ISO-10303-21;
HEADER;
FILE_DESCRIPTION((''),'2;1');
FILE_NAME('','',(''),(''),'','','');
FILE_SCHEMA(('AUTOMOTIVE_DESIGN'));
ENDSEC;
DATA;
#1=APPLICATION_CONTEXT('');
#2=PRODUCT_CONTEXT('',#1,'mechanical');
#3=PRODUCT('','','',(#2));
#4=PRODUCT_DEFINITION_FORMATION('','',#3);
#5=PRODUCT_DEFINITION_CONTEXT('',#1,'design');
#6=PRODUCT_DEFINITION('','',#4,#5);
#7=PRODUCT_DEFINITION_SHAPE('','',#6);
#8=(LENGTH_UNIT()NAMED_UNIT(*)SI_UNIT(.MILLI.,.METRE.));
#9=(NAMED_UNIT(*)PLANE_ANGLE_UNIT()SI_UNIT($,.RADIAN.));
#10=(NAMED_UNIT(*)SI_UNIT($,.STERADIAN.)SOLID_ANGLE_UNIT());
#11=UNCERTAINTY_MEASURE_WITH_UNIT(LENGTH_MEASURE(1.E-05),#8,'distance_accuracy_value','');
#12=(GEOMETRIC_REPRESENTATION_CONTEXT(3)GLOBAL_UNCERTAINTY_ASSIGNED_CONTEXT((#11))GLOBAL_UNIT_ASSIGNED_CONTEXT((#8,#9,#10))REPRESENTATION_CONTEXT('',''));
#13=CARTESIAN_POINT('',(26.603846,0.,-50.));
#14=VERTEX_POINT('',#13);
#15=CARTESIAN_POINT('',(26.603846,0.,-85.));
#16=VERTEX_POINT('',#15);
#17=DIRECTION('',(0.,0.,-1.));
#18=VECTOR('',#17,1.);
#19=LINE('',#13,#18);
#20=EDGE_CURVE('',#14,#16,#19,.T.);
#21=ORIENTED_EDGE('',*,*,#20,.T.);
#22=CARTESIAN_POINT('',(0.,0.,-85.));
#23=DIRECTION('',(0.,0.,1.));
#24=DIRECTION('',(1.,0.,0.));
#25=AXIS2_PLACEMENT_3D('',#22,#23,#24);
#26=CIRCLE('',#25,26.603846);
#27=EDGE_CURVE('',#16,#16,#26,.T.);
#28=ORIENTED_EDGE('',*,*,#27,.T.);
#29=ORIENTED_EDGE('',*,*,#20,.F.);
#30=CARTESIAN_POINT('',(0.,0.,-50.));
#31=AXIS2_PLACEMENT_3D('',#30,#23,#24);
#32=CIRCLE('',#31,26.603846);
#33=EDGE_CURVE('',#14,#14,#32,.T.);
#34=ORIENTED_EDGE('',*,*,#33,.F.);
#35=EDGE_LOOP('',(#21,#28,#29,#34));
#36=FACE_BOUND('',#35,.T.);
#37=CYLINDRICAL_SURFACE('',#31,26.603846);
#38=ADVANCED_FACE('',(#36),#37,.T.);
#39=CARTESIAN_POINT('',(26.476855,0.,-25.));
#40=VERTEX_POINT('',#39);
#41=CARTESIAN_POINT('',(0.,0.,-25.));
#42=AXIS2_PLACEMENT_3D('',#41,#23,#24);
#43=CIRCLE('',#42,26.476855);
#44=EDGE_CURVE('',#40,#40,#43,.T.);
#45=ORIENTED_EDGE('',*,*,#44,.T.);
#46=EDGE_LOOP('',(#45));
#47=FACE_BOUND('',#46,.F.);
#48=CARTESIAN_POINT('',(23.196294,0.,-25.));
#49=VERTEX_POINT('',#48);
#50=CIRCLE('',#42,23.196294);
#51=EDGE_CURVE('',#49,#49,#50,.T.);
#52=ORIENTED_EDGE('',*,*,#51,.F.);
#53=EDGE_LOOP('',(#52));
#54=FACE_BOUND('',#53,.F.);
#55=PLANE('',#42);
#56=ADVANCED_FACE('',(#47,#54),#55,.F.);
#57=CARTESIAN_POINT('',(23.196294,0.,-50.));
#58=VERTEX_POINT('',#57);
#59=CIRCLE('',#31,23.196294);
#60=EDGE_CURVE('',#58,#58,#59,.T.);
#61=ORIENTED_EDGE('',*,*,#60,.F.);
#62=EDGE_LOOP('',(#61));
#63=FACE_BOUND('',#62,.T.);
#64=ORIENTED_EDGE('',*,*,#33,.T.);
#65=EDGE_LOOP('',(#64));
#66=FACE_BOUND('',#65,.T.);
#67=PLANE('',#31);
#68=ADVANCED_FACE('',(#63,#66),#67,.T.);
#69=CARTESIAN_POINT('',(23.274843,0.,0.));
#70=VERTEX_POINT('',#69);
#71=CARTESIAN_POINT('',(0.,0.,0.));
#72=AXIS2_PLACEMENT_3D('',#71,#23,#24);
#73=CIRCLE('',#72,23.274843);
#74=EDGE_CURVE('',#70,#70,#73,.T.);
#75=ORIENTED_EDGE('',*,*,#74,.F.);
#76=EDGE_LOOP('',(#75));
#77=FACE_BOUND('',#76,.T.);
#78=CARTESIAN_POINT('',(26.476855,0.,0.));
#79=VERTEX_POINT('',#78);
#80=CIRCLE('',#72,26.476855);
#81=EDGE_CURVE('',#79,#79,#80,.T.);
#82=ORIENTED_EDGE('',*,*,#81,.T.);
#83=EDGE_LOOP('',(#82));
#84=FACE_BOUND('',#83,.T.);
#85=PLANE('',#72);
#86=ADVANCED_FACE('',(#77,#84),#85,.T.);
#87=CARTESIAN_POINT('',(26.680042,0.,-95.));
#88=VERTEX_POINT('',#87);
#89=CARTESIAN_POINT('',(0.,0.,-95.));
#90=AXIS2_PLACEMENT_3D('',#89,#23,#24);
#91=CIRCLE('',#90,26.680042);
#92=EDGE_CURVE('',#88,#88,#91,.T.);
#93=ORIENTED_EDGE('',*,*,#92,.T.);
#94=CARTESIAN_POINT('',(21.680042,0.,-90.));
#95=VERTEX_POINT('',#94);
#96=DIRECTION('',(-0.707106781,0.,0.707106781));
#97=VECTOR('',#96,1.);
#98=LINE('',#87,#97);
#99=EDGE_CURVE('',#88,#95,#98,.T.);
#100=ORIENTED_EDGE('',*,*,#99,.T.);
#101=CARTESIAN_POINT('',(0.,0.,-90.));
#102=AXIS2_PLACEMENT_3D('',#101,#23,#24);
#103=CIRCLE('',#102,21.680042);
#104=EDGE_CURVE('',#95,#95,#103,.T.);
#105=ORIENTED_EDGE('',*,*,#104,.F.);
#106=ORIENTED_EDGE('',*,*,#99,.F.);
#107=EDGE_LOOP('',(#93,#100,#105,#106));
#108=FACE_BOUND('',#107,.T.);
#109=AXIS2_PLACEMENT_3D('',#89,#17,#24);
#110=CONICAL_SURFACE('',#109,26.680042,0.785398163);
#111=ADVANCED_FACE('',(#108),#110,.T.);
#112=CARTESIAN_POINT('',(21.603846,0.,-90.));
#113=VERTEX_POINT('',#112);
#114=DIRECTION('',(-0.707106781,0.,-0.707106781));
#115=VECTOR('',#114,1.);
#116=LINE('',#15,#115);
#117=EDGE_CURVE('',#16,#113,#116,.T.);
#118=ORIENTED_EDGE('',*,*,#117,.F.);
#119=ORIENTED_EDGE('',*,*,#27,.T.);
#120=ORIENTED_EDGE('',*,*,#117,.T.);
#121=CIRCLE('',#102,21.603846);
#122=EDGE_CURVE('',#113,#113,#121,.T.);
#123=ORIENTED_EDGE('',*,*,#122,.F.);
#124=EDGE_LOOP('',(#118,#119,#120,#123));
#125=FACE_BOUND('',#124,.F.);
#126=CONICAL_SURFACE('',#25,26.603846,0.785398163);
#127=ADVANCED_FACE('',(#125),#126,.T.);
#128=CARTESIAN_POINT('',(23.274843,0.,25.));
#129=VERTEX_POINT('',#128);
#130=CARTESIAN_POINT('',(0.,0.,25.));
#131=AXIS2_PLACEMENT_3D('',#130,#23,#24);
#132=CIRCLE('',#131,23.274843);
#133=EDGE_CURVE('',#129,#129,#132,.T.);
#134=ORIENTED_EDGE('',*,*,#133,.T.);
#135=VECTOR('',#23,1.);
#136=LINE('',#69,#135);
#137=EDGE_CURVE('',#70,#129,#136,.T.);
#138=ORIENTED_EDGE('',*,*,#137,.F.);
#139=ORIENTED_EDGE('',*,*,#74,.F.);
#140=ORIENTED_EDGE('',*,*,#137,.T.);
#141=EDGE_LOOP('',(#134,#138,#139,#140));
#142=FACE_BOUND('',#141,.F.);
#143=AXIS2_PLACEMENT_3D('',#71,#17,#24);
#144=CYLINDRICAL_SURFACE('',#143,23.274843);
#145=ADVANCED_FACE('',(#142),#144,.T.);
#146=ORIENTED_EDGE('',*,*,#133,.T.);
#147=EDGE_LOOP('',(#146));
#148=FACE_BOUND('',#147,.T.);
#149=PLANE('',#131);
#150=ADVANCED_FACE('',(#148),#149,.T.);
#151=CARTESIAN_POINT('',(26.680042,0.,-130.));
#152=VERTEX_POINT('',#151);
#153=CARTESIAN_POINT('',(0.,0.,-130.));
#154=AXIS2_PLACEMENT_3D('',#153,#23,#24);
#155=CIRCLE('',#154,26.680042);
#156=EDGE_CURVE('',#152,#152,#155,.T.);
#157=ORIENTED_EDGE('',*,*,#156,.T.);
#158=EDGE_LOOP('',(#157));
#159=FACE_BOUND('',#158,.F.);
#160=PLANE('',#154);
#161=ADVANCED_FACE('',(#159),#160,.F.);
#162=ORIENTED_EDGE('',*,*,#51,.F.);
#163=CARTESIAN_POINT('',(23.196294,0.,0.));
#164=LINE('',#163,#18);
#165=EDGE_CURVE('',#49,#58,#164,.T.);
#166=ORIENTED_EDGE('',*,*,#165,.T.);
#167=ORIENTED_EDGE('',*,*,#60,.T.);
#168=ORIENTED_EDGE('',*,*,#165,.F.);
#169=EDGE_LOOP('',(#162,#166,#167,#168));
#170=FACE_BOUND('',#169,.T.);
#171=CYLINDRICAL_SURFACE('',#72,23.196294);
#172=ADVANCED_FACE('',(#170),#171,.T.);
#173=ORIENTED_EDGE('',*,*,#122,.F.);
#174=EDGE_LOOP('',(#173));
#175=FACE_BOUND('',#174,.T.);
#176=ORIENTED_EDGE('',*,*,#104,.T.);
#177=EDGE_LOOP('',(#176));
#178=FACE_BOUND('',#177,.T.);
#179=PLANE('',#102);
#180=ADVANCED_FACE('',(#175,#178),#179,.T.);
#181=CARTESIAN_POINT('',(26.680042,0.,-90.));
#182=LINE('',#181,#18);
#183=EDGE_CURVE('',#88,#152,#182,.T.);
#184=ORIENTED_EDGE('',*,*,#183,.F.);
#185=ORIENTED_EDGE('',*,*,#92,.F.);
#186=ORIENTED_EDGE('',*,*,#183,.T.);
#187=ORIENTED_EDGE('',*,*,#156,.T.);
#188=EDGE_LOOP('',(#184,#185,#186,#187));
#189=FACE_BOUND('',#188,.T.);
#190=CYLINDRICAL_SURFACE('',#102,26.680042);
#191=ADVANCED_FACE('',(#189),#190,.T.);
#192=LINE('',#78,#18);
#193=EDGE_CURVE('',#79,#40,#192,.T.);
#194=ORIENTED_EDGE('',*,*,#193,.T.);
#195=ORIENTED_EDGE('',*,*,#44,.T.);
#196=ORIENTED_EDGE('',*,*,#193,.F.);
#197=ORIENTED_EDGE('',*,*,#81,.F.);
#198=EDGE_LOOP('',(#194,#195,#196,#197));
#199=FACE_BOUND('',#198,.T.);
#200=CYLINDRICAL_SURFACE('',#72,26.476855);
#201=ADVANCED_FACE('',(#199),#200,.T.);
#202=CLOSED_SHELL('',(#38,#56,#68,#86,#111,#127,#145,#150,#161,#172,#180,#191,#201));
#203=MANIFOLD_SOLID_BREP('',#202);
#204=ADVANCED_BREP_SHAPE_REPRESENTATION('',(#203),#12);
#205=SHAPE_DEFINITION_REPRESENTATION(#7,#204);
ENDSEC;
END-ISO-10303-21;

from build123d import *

# Parameters (mm, degrees)
F0_R      = 23.274843
F1_DEPTH  = 25
F2_R      = 26.476855
F3_DEPTH  = 25
F4_R      = 23.196294
F5_DEPTH  = 50
F7_R      = 26.603846
F8_DEPTH  = 40
F9_SIZE   = 5
F11_R     = 26.680042
F12_DEPTH = 40
F13_SIZE  = 5


with BuildPart() as f1:
    # F0 (on Top) → F1 (new body)
    with BuildSketch(Plane.XY):
        Circle(F0_R)
    extrude(amount=F1_DEPTH)

    # F2 (on Top) → F3 (join)
    with BuildSketch(Plane.XY):
        Circle(F2_R)
    extrude(amount=-F3_DEPTH)

    # F4 (on Top) → F5 (join)
    with BuildSketch(Plane.XY):
        Circle(F4_R)
    extrude(amount=-F5_DEPTH)

    # F7 (on offset) → F8 (join)
    with BuildSketch(Plane.XY.offset(-50)):
        Circle(F7_R)
    extrude(amount=-F8_DEPTH)

    # F9
    f9_edges = [f1.edges().sort_by_distance(p)[0] for p in [
        (-26.603846, 0, -90),
    ]]
    chamfer(f9_edges, length=F9_SIZE)

    # F11 (on offset) → F12 (join)
    with BuildSketch(Plane.XY.offset(-90)):
        Circle(F11_R)
    extrude(amount=-F12_DEPTH)

    # F13
    f13_edges = [f1.edges().sort_by_distance(p)[0] for p in [
        (-26.680042, 0, -90),
    ]]
    chamfer(f13_edges, length=F13_SIZE)


solid = f1.part
